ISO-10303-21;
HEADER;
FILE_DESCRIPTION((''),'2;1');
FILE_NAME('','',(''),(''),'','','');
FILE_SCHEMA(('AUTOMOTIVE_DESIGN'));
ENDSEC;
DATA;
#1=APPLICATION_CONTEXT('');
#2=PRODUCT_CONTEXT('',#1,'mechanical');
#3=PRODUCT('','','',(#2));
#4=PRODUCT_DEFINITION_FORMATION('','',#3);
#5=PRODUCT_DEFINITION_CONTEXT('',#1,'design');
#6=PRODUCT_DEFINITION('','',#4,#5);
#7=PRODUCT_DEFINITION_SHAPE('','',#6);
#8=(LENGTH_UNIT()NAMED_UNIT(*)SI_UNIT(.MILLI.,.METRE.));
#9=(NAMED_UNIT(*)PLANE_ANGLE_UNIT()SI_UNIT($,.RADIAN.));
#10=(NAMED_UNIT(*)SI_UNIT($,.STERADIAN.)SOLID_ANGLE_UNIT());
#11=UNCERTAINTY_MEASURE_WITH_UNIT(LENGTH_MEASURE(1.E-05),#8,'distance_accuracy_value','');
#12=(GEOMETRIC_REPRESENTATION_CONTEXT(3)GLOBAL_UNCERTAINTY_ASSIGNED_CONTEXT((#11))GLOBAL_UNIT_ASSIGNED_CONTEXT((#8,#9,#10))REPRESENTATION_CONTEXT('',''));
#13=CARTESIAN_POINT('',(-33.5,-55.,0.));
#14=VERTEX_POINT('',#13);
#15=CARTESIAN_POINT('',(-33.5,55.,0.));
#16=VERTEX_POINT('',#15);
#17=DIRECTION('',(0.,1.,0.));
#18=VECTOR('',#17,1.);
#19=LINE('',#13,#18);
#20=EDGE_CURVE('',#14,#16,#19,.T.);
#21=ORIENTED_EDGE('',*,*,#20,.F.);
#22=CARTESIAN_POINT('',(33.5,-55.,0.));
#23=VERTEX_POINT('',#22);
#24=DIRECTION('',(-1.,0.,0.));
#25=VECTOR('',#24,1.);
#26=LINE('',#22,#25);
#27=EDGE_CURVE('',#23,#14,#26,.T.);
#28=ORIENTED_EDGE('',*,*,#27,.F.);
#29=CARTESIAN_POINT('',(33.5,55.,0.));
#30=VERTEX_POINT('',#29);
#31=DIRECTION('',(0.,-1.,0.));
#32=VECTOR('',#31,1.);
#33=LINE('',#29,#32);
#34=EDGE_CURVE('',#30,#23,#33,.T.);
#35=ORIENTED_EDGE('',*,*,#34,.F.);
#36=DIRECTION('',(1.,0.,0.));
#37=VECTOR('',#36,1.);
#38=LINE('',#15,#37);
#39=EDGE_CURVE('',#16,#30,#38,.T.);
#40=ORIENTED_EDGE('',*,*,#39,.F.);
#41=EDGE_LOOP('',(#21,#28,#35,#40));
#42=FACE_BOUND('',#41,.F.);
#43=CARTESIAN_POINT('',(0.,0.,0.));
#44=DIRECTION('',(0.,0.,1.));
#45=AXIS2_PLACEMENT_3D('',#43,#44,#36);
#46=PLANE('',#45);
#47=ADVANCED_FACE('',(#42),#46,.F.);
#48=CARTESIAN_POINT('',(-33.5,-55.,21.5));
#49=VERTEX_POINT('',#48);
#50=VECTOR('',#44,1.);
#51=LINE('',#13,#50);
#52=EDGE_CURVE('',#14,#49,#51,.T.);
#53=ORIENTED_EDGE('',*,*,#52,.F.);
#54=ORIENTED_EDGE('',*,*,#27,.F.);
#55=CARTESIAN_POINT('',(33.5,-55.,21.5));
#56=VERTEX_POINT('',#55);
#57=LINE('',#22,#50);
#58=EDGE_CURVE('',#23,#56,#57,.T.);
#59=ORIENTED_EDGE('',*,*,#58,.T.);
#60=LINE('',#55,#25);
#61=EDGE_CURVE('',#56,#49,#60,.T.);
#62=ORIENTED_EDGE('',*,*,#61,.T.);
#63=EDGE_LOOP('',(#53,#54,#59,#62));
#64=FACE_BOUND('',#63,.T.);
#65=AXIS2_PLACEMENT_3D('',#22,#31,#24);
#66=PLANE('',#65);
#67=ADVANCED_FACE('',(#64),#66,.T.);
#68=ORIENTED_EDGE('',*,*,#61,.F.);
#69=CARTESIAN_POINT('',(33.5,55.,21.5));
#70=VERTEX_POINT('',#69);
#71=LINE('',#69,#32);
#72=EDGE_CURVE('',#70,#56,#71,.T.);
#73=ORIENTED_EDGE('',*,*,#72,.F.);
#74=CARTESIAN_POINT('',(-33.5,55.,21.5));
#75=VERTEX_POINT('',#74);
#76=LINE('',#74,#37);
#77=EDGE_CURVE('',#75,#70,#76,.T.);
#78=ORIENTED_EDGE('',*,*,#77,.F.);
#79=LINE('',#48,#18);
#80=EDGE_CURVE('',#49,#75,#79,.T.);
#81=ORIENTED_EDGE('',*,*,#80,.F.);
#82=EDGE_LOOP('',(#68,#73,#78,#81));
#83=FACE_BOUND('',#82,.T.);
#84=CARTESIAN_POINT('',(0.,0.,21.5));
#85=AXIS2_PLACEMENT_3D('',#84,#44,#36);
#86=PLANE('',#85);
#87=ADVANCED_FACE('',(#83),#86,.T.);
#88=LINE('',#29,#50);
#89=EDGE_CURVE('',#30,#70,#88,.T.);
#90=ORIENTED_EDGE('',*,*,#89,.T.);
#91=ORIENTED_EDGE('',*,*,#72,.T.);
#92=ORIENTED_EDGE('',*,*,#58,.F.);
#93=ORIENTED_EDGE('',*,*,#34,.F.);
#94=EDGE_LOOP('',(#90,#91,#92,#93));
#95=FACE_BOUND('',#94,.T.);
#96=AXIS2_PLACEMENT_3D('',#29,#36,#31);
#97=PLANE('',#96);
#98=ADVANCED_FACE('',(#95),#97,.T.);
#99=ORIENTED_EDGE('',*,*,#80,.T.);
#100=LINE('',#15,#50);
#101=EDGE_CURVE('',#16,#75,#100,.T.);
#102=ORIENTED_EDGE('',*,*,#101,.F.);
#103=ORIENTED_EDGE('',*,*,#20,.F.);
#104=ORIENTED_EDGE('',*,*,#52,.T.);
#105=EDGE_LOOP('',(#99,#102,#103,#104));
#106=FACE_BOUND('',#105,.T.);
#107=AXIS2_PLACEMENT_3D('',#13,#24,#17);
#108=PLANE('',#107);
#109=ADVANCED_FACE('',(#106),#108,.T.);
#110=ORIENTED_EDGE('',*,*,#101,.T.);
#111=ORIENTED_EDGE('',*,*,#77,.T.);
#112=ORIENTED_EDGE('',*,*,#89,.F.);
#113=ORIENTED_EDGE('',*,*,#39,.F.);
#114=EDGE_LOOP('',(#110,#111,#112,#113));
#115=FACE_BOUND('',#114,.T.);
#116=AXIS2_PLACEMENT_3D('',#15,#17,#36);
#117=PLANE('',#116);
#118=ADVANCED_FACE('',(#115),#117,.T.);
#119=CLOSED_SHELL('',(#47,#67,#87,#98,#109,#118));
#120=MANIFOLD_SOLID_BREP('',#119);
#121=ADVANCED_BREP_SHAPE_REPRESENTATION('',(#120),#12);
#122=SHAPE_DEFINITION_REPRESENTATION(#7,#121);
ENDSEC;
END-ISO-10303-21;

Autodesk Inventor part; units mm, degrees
ref_plane "YZ Plane" through (0, 0, 0) normal (1, 0, 0) x (0, 1, 0)
ref_plane "XZ Plane" through (0, 0, 0) normal (0, 1, 0) x (-1, 0, 0)
ref_plane "XY Plane" through (0, 0, 0) normal (0, 0, 1) x (1, 0, 0)
sketch "스케치1" plane through (0, 0, 0) normal (0, 0, 1) x (1, 0, 0)
  line L0 (33.5, -55) -> (-33.5, -55)
  line L1 (-33.5, -55) -> (-33.5, 55)
  line L2 (-33.5, 55) -> (33.5, 55)
  line L3 (33.5, 55) -> (33.5, -55)
  line L4 (33.5, -55) -> (-33.5, 55) construction
  line L5 (-33.5, -55) -> (33.5, 55) construction
  point P0 (0, 0)
  dimension "d0" = 67
  dimension "d1" = 110
extrude "돌출1" add sketch "스케치1" along normal blind 21.5
properties part number "battery_2"
